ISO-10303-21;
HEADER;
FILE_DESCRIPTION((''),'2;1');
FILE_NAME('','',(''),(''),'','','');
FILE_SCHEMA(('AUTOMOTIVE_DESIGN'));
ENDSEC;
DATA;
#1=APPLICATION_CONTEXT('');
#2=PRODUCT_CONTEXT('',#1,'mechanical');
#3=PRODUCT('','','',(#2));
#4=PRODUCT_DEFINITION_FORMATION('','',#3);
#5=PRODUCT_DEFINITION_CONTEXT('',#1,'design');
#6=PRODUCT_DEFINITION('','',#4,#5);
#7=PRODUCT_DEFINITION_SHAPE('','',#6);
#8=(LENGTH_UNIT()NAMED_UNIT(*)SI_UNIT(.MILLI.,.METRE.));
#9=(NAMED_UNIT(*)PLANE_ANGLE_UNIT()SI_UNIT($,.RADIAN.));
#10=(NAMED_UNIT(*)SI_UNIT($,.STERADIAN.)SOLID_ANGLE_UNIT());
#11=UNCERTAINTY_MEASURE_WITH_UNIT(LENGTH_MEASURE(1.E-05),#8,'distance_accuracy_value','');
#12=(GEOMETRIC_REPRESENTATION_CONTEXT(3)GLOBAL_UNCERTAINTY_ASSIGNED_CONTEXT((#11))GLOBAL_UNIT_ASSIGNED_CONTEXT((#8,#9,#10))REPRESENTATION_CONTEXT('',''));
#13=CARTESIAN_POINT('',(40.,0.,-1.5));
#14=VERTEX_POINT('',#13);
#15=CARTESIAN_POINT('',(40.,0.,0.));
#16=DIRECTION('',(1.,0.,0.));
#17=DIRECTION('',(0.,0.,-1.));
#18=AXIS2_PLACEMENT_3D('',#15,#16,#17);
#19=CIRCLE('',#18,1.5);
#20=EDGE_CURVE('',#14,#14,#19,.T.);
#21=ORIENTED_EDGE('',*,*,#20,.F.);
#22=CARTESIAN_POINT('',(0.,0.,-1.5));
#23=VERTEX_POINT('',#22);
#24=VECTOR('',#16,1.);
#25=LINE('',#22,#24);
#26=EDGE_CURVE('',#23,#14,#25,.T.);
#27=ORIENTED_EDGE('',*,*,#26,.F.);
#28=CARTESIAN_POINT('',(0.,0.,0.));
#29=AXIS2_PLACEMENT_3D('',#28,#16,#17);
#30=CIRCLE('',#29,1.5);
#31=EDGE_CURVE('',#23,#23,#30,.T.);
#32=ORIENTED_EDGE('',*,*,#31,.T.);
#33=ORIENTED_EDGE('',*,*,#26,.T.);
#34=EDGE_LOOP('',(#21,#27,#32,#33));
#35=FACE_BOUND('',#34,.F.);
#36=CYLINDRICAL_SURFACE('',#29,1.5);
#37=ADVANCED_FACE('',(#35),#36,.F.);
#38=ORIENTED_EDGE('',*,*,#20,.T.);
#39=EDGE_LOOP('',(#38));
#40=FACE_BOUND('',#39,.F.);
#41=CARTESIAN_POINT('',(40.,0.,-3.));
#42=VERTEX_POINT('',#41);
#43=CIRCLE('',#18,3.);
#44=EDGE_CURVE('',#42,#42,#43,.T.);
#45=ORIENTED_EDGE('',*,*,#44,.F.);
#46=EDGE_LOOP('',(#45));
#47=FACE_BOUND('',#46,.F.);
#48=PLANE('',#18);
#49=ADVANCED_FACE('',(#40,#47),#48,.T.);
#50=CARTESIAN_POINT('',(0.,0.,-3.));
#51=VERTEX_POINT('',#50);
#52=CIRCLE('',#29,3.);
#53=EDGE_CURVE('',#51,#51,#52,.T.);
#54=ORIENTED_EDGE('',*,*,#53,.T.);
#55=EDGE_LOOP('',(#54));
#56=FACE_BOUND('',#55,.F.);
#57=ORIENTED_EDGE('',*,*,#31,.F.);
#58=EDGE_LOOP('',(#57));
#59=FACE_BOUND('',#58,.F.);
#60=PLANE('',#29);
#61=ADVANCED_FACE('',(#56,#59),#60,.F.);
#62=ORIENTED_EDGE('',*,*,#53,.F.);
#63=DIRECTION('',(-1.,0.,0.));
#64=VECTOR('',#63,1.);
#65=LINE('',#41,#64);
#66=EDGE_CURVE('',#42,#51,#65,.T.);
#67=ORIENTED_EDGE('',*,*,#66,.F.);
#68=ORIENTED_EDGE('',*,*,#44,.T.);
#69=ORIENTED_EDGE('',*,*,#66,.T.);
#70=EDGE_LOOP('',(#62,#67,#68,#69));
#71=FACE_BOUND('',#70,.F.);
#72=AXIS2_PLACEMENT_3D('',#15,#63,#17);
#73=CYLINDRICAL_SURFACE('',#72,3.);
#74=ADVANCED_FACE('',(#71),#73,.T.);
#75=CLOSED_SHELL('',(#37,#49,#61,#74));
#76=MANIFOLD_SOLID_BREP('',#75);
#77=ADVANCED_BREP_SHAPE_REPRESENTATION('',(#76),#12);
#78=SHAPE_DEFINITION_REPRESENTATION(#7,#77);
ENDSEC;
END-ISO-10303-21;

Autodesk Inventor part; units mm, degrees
ref_plane "YZ Plane" through (0, 0, 0) normal (1, 0, 0) x (0, 1, 0)
ref_plane "XZ Plane" through (0, 0, 0) normal (0, 1, 0) x (-1, 0, 0)
ref_plane "XY Plane" through (0, 0, 0) normal (0, 0, 1) x (1, 0, 0)
sketch "草图1" plane through (0, 0, 0) normal (0, 1, 0) x (-1, 0, 0)
  line L0 (0, 0) -> (-40, 0)
  line L1 (-40, 0) -> (-40, -3)
  line L2 (-40, -3) -> (0, -3)
  line L3 (0, -3) -> (0, 0)
  line L4 (0, -1.5) -> (-40, -1.5)
  dimension "d1" = 40
  dimension "d4" = 1.5
revolve "旋转1" add sketch "草图1" angle 360 about axis through (0, 0, 0) along (1, 0, 0)
revolve "旋转2" cut sketch "草图1" angle 360 about axis through (0, 0, 0) along (1, 0, 0) contours L3 L4 L1 L0
properties part number "铜柱"
